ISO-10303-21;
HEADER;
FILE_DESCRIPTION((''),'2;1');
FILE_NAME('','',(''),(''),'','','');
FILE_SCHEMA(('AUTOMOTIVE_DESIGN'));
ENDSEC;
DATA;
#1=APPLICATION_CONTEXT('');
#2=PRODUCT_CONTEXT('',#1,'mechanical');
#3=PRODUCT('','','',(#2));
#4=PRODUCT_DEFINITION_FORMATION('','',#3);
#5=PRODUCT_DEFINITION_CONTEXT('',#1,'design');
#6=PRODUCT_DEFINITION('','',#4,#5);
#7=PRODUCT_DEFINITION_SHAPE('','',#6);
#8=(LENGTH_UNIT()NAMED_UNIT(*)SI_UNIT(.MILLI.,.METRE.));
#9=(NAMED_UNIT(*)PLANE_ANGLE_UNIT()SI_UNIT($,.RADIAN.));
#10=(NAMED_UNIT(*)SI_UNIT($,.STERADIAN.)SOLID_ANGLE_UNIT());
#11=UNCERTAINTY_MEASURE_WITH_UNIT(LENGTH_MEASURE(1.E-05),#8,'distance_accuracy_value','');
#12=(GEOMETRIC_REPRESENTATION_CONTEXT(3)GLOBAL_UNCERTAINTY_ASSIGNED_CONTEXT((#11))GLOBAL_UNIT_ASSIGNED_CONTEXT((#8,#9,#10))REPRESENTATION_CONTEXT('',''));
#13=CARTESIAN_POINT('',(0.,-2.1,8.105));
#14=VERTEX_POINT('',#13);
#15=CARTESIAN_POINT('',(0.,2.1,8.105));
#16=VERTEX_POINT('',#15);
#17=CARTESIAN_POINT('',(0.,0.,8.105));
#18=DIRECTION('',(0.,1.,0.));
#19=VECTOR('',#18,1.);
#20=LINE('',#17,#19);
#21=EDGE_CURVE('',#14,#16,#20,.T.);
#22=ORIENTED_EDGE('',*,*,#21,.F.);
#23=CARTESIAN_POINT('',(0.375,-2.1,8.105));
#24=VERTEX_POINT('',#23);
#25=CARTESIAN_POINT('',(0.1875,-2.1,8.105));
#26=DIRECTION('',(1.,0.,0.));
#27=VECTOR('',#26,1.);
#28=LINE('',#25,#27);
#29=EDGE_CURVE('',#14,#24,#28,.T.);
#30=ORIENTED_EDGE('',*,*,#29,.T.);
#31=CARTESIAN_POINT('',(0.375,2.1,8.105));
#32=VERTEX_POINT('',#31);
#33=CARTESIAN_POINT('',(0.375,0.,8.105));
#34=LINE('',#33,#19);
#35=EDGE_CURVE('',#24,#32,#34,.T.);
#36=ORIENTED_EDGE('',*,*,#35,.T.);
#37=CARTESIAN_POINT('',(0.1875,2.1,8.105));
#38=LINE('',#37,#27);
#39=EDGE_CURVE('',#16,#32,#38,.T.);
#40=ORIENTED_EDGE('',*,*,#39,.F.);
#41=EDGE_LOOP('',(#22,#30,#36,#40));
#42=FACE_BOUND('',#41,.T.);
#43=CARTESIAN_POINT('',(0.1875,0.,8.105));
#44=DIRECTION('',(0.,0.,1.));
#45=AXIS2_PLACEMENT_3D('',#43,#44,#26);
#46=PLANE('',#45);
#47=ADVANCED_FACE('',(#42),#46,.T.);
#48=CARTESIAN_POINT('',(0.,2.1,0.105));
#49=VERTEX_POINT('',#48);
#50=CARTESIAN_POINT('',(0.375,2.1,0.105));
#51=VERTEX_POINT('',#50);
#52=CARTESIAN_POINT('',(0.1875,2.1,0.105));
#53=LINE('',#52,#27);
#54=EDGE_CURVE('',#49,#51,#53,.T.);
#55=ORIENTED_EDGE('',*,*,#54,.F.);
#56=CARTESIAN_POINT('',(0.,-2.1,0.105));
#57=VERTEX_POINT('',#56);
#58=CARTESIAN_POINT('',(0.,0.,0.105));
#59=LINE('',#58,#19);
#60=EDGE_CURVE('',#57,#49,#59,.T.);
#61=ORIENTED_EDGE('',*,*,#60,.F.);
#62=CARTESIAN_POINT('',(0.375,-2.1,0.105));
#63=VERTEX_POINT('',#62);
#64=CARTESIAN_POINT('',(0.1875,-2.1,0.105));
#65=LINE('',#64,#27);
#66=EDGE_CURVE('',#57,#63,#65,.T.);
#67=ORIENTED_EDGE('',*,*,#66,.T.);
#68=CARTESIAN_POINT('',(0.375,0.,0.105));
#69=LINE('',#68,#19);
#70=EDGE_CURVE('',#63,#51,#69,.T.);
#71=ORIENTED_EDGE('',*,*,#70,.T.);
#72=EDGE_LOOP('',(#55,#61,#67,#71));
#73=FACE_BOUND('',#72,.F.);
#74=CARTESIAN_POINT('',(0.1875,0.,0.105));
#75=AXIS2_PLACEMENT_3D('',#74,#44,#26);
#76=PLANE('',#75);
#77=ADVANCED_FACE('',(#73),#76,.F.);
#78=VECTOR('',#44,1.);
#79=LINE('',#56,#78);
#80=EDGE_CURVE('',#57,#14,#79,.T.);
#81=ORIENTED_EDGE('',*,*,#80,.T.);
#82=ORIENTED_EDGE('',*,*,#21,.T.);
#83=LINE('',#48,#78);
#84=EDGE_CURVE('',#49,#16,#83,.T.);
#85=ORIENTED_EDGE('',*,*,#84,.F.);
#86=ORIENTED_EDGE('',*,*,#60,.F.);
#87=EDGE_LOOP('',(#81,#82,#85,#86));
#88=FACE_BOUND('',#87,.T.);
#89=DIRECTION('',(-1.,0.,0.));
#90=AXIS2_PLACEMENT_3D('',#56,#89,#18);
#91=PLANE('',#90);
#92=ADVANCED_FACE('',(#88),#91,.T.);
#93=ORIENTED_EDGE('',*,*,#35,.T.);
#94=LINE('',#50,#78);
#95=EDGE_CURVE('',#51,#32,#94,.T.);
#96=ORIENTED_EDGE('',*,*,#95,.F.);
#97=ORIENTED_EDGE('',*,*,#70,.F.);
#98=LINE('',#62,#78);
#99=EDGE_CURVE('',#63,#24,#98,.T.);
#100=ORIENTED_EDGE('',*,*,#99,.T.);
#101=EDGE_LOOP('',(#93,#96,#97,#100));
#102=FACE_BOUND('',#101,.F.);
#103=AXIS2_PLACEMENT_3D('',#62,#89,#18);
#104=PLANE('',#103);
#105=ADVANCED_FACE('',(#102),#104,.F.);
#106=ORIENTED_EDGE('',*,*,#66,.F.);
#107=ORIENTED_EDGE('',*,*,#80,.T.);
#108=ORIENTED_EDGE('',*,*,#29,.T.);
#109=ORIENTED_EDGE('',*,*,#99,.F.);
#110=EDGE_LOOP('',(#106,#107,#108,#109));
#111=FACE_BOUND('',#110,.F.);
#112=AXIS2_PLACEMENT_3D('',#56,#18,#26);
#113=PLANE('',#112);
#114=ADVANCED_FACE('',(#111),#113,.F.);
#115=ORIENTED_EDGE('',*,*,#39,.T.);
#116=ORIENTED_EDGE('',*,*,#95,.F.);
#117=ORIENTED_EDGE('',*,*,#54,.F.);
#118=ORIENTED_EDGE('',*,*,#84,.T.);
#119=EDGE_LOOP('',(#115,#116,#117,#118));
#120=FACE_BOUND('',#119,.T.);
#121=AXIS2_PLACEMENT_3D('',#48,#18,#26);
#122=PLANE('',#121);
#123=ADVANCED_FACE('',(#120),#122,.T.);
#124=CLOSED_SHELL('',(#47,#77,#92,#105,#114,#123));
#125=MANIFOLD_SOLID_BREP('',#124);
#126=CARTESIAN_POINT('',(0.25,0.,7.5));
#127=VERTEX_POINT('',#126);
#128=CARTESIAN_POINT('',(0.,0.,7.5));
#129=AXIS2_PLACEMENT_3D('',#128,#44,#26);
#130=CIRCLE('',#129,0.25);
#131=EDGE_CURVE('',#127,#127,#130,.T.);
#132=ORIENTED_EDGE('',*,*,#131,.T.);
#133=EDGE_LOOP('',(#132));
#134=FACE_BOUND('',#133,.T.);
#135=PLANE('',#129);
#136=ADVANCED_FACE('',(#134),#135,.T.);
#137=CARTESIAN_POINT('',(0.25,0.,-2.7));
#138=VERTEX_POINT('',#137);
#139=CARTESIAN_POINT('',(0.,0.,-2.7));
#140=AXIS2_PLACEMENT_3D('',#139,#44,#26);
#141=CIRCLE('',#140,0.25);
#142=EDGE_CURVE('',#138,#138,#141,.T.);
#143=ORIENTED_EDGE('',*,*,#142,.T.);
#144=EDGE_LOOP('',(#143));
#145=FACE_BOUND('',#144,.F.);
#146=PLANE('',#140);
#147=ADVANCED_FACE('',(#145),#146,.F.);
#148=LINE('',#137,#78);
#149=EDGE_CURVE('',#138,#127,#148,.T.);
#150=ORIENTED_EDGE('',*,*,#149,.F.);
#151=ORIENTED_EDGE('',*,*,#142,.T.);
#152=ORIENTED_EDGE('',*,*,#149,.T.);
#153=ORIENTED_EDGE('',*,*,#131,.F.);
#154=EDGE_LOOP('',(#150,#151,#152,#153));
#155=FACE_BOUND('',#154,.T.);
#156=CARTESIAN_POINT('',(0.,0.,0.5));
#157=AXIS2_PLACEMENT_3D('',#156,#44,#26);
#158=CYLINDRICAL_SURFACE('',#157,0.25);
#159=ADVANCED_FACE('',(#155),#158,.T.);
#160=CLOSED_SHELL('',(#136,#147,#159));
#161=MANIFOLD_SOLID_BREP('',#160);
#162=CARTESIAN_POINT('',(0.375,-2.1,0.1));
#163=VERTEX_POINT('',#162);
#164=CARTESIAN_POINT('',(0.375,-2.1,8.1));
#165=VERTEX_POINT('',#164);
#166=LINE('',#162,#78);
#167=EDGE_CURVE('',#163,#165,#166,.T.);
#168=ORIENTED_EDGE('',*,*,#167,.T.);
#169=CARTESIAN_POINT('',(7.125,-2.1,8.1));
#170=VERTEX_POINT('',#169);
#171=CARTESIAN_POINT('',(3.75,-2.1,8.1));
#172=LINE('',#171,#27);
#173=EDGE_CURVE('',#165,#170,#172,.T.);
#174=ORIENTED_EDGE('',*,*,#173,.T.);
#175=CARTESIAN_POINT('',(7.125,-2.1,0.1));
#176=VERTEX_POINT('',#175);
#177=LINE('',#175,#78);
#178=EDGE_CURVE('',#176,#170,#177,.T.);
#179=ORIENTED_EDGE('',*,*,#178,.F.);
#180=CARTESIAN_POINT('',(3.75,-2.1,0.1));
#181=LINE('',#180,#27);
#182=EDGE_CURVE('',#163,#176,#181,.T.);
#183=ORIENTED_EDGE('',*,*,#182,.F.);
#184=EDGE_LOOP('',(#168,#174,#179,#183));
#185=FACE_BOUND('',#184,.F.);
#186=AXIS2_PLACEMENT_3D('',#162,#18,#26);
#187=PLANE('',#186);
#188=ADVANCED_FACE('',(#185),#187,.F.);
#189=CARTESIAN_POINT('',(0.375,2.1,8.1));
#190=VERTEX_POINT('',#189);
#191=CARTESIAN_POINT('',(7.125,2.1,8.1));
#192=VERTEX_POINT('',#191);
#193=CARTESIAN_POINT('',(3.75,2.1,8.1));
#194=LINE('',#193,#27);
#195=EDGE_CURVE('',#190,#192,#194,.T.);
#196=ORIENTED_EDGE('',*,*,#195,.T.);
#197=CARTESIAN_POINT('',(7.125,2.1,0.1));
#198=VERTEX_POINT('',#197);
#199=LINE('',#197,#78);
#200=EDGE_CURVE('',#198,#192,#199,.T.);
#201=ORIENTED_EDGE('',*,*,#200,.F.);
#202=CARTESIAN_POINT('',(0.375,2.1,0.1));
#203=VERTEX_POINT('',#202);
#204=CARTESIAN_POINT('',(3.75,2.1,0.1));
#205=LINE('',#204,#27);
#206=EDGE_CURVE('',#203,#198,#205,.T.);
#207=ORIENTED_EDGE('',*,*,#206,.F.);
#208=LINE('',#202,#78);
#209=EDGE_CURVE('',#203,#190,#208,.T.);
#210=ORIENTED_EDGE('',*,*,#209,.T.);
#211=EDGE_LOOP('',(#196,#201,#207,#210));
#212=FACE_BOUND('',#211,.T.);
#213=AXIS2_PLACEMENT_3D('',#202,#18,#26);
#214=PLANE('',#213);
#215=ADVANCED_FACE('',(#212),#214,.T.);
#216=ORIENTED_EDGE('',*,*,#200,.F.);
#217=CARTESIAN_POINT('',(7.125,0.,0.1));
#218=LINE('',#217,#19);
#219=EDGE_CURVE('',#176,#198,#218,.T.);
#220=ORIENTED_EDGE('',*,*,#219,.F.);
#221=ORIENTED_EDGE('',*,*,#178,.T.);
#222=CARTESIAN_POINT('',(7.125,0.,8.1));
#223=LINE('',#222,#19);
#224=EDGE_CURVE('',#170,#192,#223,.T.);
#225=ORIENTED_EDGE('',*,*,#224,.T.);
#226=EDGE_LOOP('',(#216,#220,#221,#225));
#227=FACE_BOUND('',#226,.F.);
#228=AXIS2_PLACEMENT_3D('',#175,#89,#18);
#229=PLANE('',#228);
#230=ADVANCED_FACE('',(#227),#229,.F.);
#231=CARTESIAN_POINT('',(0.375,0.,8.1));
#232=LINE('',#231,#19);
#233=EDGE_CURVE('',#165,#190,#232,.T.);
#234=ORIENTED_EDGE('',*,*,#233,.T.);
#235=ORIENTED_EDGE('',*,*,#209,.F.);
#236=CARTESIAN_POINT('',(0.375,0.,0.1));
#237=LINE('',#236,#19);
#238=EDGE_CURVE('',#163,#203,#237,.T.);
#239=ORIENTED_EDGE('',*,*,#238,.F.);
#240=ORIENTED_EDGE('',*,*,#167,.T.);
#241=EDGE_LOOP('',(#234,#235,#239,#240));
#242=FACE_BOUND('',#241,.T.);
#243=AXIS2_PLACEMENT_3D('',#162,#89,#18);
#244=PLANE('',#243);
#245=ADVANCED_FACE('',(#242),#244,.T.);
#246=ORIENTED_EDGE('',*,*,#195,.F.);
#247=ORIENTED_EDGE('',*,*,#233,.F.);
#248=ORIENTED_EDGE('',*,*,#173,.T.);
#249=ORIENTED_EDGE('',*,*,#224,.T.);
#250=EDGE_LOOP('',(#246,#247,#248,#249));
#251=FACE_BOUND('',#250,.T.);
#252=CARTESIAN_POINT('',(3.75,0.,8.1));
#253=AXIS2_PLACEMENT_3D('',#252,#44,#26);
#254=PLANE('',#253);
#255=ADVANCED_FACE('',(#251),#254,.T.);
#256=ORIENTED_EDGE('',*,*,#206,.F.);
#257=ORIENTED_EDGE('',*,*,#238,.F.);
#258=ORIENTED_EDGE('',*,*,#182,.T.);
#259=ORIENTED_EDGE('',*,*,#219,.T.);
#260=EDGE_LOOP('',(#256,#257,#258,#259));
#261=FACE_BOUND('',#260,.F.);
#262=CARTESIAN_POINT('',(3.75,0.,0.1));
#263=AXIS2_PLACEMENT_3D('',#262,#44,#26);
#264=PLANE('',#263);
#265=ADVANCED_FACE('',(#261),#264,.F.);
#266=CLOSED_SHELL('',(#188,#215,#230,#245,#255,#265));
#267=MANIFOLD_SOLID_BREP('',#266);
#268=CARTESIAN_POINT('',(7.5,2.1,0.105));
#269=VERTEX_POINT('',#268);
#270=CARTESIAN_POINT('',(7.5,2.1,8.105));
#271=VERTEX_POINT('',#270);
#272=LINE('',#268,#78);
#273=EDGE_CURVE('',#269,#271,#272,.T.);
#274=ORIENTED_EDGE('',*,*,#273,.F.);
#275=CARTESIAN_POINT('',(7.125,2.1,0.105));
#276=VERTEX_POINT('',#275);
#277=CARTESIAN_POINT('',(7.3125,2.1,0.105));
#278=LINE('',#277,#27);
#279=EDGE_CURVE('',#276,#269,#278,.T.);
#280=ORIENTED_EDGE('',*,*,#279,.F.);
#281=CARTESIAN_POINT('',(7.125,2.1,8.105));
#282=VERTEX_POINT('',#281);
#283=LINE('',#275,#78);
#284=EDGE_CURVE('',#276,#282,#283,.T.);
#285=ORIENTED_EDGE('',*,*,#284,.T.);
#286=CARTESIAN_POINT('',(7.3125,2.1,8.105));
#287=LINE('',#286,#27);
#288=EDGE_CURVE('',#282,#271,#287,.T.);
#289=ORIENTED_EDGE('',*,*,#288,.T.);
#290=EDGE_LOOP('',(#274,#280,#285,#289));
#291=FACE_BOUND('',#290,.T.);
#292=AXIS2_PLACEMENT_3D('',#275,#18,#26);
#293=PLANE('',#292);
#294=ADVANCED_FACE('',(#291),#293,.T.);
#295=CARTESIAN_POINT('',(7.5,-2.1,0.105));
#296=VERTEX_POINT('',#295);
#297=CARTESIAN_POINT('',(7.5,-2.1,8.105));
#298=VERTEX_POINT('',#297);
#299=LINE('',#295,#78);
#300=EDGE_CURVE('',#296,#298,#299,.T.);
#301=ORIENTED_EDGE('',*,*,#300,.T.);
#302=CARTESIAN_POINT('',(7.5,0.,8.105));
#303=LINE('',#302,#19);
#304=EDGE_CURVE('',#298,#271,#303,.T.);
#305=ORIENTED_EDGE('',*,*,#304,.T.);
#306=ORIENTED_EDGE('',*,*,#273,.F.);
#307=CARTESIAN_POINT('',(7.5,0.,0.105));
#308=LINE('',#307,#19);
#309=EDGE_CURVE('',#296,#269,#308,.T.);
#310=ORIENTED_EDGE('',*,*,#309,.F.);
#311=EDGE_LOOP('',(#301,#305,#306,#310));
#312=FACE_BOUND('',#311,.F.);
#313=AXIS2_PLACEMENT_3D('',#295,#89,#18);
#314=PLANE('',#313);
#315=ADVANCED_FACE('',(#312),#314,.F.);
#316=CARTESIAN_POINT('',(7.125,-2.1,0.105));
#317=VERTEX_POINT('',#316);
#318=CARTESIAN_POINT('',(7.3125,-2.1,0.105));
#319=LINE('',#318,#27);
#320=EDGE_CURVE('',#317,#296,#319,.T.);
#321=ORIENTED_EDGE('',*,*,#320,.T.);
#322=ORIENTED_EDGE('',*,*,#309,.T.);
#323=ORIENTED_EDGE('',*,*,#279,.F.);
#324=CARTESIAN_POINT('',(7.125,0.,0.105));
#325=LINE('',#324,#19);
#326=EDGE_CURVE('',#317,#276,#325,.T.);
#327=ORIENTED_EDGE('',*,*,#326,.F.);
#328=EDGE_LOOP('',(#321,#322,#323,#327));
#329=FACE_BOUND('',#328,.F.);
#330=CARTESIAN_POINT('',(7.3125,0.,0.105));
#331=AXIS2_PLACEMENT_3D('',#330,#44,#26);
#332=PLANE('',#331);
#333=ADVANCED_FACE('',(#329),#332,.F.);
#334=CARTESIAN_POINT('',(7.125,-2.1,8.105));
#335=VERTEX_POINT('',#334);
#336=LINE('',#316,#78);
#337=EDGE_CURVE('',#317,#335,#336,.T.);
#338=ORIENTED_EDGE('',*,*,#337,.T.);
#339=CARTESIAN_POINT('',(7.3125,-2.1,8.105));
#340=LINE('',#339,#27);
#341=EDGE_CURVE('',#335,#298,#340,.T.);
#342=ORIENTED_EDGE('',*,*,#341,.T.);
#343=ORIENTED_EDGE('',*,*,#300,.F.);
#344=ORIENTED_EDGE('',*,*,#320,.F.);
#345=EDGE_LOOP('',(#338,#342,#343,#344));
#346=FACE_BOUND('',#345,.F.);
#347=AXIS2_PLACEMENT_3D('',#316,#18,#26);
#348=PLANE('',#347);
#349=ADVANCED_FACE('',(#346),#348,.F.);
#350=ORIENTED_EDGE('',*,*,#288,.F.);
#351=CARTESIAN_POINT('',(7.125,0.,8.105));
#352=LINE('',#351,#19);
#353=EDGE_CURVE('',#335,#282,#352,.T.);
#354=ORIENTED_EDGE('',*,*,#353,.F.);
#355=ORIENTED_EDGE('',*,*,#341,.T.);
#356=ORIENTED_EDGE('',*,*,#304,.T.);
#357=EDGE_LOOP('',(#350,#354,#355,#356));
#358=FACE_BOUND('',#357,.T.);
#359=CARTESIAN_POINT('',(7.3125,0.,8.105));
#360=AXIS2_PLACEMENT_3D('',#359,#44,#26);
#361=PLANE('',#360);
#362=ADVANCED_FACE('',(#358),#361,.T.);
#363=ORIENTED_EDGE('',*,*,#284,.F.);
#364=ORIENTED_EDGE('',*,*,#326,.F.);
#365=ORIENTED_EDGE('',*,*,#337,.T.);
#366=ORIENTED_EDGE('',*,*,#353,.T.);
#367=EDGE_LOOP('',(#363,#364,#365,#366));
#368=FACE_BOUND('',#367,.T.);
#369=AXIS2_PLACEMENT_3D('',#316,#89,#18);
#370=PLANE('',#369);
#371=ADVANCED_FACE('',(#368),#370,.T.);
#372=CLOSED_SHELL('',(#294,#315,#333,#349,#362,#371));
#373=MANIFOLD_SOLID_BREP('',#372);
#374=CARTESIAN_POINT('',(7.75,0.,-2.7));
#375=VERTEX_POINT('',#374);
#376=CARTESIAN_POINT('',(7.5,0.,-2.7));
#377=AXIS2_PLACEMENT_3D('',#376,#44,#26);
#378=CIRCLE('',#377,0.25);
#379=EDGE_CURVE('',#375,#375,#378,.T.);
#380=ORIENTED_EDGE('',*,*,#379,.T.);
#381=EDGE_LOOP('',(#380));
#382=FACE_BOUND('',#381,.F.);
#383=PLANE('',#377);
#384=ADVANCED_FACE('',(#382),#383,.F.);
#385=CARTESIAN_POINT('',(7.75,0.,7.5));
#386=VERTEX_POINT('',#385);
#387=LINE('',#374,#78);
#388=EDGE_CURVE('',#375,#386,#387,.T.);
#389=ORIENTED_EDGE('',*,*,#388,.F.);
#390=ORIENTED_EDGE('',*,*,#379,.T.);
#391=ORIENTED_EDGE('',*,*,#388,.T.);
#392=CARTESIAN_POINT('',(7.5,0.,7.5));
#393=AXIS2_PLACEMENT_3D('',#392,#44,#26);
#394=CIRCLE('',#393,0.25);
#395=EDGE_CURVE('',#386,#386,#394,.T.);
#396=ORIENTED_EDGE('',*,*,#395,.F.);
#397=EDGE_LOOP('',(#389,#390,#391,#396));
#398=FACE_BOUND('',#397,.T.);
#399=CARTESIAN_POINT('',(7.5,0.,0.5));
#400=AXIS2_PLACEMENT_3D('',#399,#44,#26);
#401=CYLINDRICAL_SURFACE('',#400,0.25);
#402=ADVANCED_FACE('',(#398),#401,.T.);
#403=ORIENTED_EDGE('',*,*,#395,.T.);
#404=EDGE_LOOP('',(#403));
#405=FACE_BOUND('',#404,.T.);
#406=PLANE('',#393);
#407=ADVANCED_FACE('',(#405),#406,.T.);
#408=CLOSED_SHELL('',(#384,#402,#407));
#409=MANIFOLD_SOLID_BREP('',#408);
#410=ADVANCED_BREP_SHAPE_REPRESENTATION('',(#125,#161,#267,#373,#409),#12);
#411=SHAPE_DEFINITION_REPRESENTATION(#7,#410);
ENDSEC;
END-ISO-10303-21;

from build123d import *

# Parameters (mm, degrees)
SKETCH_W          = 6.75
SKETCH_H          = 4.2
PAD_DEPTH         = 8
SKETCH001_R       = 0.25
PAD001_DEPTH      = 7
PAD001_DEPTH_BACK = 3.2
SKETCH002_W       = 0.375
SKETCH002_H       = 4.2
PAD002_DEPTH      = 8


with BuildPart() as pad:
    # Sketch → Pad (new body)
    with BuildSketch(Plane.XY.offset(0.1)):
        with Locations((3.75, 0)):
            Rectangle(SKETCH_W, SKETCH_H)
    extrude(amount=PAD_DEPTH)


with BuildPart() as pad001:
    # Sketch001 → Pad001 (new body, two sides)
    with BuildSketch(Plane.XY.offset(0.5)) as pad001_sk:
        Circle(SKETCH001_R)
        with Locations((7.5, 0)):
            Circle(SKETCH001_R)
    extrude(amount=PAD001_DEPTH)
    extrude(pad001_sk.sketch, amount=-PAD001_DEPTH_BACK)


with BuildPart() as pad002:
    # Sketch002 → Pad002 (new body)
    with BuildSketch(Plane.XY.offset(0.105)):
        with Locations((0.1875, 0)):
            Rectangle(SKETCH002_W, SKETCH002_H)
        with Locations((7.3125, 0)):
            Rectangle(SKETCH002_W, SKETCH002_H)
    extrude(amount=PAD002_DEPTH)


solid = Compound([pad.part, pad001.part, pad002.part])
